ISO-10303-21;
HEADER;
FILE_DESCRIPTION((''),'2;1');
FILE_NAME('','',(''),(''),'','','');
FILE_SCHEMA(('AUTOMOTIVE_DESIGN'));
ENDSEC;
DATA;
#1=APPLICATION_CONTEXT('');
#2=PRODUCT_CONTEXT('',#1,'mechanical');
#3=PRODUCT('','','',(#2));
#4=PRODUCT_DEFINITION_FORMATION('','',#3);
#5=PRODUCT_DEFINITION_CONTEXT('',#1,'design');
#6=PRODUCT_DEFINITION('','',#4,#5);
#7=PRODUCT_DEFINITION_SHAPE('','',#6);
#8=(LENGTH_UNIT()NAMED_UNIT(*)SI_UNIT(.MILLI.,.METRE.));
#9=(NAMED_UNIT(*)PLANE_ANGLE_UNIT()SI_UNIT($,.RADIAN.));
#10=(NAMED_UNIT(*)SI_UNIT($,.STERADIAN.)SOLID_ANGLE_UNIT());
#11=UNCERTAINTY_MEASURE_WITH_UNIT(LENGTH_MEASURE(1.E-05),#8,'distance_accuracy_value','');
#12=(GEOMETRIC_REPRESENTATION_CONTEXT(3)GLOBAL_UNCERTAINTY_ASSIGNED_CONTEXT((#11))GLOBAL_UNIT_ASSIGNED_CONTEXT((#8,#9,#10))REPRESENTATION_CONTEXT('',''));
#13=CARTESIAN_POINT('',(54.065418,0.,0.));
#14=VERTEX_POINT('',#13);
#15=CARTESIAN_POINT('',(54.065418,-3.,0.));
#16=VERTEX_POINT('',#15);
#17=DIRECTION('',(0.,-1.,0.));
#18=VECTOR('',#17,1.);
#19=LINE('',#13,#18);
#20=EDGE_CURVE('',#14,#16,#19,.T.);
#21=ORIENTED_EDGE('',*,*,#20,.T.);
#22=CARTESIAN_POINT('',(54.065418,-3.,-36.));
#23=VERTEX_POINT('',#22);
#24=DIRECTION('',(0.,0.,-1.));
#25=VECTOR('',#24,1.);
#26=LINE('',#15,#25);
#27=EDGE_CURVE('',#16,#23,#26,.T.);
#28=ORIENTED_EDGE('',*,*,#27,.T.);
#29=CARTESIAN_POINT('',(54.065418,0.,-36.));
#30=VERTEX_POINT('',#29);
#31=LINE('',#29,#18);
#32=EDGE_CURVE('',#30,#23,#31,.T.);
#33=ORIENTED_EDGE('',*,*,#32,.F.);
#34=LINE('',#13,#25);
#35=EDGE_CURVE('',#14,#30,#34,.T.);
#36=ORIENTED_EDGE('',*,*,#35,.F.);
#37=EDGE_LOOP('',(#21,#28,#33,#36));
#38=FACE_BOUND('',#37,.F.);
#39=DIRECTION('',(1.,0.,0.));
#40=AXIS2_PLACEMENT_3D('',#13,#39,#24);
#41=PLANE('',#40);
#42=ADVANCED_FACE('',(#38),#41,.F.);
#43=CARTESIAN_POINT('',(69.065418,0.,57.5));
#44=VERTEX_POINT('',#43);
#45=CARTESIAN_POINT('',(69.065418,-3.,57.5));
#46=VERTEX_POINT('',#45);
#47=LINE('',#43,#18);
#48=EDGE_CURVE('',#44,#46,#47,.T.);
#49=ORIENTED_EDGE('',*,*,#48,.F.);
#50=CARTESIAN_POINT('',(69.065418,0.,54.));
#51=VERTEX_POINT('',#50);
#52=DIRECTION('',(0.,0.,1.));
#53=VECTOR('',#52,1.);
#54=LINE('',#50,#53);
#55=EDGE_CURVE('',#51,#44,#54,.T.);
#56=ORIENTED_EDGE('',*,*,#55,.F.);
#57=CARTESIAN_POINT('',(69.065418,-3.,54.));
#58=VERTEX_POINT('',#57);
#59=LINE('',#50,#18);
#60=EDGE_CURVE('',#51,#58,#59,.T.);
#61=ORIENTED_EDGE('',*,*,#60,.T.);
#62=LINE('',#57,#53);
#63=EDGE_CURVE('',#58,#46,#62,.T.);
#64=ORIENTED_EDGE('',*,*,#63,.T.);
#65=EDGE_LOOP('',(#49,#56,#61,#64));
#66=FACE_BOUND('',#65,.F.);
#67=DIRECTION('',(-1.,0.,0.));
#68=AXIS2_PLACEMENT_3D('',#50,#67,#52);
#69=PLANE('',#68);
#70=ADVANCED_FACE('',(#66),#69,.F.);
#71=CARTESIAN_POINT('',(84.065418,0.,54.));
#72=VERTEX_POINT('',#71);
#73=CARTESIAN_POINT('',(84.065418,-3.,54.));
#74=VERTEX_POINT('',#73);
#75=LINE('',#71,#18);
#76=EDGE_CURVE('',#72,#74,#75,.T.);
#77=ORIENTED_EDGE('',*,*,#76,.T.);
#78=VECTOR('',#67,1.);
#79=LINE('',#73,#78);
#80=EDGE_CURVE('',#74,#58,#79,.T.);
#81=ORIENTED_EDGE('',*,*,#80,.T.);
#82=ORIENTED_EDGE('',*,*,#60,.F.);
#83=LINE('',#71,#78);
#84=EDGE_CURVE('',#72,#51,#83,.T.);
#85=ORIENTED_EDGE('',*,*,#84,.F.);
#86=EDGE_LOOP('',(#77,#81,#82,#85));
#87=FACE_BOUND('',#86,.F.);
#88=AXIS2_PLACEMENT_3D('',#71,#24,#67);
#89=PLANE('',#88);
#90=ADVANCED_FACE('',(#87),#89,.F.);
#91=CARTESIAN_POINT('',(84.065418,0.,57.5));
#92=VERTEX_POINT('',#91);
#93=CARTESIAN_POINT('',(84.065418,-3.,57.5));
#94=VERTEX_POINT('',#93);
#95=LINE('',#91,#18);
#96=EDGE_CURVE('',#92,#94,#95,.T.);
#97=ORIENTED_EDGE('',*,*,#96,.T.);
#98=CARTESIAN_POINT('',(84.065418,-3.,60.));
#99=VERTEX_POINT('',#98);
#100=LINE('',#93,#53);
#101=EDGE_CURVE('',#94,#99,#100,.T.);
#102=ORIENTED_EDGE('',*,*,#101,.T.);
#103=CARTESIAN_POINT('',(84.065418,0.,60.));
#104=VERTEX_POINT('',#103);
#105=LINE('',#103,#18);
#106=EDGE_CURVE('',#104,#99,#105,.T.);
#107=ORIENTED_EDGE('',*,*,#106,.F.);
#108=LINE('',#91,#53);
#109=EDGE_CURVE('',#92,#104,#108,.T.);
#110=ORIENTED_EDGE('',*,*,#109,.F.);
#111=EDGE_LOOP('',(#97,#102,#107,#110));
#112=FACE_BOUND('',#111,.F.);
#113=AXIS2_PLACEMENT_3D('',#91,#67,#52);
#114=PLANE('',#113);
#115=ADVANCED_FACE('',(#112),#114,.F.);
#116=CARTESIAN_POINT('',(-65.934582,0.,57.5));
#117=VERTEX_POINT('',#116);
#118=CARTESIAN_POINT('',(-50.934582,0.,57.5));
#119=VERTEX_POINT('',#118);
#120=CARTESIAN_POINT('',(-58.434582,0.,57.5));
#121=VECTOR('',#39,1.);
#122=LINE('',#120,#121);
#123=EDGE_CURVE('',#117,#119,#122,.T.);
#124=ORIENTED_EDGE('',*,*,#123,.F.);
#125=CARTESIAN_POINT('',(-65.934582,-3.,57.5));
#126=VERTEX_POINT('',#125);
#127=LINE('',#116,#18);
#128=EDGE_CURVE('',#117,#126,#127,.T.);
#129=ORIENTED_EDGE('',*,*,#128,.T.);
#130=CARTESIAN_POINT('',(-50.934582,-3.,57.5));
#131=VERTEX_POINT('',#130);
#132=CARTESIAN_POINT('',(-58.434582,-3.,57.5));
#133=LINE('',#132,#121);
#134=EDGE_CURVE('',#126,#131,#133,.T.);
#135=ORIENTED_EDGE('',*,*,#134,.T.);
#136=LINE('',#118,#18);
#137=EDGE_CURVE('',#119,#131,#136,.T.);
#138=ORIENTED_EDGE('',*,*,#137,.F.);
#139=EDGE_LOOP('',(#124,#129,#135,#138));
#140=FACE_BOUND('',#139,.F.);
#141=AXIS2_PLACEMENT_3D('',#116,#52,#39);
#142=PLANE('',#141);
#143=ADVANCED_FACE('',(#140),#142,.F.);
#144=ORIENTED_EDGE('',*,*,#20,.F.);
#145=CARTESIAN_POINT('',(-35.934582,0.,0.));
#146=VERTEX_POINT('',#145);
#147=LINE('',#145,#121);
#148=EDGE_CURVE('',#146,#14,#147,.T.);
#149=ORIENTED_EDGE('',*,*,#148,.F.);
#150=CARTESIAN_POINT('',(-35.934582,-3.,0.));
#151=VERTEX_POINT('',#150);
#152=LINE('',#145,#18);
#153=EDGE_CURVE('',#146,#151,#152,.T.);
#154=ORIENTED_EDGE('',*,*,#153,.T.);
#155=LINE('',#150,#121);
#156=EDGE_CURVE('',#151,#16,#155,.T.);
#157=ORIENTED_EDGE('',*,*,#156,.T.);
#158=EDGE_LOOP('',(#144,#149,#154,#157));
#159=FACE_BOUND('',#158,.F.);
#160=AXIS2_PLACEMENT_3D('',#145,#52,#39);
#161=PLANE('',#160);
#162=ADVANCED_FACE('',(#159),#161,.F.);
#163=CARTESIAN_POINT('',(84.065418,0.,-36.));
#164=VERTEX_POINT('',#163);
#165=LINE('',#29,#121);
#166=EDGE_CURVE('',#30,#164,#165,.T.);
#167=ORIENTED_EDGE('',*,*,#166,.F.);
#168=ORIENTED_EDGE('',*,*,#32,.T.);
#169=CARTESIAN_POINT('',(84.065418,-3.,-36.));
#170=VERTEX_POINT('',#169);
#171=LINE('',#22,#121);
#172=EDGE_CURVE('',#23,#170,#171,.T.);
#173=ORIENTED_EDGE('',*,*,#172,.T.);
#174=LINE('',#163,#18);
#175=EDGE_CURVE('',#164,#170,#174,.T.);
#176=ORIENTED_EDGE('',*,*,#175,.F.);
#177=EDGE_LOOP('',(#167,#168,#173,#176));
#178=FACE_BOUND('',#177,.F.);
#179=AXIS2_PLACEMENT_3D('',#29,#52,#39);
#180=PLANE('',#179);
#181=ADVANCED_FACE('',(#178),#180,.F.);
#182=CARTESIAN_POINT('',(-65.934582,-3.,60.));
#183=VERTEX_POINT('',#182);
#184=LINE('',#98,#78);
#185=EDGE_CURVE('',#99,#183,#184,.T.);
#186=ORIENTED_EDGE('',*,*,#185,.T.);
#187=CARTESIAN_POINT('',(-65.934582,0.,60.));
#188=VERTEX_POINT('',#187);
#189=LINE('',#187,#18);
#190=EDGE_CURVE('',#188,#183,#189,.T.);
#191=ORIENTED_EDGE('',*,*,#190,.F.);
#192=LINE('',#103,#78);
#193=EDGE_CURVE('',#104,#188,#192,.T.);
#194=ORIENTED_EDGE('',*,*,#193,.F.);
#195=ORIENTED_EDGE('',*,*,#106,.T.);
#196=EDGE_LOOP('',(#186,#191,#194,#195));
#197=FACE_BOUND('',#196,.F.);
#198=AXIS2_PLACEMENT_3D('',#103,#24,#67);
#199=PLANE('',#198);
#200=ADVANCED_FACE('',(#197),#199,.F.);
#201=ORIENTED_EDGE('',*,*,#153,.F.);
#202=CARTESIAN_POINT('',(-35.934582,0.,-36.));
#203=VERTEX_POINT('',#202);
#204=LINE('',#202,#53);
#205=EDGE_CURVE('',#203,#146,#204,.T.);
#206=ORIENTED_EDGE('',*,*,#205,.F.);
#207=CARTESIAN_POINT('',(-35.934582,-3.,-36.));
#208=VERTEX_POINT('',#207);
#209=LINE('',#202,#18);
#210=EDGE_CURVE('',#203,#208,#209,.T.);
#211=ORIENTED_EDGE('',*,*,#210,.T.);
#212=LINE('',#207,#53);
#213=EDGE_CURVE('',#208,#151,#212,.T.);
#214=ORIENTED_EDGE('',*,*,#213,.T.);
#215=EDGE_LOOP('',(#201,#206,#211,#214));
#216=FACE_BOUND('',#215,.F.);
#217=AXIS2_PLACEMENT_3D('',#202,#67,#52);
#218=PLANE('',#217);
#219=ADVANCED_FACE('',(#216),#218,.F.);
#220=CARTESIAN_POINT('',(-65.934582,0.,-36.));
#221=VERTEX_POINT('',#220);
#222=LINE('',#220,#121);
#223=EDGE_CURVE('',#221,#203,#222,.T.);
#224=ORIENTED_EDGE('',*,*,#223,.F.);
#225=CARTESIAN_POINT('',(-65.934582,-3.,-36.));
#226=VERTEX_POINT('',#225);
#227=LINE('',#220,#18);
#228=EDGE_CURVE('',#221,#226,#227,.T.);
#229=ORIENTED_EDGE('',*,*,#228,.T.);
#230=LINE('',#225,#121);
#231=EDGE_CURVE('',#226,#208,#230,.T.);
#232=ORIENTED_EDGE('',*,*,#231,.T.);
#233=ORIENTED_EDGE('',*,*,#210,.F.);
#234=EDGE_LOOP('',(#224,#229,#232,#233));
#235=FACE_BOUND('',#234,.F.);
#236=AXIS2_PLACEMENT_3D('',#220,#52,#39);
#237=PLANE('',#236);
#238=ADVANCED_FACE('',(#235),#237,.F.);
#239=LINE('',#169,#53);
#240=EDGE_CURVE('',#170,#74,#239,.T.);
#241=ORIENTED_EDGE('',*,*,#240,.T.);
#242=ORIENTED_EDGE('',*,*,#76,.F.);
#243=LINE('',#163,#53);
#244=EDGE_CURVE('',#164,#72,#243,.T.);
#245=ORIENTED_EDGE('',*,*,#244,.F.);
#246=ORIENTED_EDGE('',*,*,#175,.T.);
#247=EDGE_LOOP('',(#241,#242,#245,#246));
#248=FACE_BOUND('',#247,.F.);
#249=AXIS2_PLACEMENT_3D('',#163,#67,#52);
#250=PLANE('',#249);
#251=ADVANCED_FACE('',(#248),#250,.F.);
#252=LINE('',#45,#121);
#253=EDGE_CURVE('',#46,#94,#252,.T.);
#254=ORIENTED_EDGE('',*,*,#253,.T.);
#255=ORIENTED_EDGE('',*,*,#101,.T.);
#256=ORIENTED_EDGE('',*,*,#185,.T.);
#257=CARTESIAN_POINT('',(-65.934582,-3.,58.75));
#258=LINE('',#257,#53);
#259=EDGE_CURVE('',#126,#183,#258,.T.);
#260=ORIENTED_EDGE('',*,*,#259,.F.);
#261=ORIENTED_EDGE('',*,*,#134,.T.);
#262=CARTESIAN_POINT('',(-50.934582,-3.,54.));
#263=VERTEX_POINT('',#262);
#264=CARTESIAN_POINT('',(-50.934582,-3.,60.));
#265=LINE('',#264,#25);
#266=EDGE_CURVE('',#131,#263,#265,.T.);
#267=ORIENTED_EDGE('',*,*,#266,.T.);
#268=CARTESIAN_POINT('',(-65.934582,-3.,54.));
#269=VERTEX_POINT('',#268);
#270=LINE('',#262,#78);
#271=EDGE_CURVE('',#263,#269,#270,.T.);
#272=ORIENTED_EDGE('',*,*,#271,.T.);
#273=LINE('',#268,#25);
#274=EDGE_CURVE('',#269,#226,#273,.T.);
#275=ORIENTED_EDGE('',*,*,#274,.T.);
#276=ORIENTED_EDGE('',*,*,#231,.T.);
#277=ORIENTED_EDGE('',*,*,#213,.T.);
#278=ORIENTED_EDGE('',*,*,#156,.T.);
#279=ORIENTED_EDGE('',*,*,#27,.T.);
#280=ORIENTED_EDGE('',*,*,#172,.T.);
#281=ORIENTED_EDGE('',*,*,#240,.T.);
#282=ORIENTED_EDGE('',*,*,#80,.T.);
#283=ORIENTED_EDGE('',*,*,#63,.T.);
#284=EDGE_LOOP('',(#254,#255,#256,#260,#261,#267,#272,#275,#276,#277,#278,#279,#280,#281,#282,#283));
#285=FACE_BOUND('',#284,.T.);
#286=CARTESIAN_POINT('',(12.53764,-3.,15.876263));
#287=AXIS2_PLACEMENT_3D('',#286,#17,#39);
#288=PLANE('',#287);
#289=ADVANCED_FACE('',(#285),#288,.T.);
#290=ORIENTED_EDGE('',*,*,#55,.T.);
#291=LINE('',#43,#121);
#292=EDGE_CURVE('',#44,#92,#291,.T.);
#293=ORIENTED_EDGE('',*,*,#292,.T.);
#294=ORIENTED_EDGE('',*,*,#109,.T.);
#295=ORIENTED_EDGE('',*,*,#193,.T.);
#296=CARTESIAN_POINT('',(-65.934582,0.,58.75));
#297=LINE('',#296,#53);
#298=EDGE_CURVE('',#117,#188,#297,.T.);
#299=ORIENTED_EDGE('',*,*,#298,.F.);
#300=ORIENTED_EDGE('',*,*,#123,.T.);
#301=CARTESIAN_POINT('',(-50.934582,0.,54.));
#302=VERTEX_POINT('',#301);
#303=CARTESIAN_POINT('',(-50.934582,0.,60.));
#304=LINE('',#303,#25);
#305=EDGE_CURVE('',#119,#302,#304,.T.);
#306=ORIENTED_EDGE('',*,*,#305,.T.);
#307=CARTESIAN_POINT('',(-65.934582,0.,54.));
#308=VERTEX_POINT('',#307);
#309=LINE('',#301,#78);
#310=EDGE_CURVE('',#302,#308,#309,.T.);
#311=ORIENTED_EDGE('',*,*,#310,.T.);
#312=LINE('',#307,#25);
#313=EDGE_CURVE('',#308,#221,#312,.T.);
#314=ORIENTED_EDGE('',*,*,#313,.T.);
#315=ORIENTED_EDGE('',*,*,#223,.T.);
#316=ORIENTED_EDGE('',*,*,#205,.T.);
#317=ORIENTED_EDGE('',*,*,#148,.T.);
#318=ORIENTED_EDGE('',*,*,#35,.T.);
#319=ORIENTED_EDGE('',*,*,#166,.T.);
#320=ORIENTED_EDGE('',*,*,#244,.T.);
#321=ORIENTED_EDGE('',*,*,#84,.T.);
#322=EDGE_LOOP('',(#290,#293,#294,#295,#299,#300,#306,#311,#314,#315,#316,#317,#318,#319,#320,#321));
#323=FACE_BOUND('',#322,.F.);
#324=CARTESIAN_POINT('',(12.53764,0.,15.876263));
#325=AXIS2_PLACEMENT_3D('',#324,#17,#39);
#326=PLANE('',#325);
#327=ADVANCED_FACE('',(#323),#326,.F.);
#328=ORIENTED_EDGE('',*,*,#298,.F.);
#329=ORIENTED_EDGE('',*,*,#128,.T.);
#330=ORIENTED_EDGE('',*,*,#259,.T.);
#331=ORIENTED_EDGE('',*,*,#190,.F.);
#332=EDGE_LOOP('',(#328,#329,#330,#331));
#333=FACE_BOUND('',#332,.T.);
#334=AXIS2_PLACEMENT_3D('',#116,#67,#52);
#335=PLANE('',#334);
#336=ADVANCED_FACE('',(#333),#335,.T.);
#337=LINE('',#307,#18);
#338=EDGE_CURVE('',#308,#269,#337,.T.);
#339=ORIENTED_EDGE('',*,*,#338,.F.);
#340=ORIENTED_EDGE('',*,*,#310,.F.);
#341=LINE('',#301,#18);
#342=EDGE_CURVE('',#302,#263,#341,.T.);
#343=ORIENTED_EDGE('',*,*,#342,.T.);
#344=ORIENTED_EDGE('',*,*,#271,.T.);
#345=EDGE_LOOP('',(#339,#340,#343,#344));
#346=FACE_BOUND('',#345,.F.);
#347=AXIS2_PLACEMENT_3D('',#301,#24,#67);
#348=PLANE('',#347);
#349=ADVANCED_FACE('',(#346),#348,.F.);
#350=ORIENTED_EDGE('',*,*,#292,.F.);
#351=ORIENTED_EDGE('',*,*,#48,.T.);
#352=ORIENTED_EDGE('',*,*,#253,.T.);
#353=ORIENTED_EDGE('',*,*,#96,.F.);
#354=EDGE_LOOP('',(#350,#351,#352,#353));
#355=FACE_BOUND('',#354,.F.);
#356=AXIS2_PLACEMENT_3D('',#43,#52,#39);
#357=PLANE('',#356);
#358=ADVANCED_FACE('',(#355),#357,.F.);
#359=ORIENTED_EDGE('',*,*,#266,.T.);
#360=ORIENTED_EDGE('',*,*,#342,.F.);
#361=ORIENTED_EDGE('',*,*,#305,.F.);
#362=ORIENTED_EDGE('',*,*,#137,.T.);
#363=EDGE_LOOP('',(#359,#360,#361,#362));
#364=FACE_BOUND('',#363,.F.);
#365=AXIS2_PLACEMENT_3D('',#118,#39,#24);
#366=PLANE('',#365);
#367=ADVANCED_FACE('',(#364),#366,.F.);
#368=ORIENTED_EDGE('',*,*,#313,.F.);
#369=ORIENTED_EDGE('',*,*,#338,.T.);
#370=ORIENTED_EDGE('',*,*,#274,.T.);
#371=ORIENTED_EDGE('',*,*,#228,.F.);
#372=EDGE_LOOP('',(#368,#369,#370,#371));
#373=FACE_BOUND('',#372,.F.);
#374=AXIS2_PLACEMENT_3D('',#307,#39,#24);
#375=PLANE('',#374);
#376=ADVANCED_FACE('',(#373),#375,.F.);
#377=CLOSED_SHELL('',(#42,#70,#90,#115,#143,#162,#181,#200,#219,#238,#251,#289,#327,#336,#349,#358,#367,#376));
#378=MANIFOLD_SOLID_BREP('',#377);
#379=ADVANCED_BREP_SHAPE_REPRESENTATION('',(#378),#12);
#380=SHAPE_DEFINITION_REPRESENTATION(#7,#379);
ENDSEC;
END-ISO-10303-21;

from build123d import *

# Parameters (mm, degrees)
F0_W     = 15
F0_H     = 2.5
F1_DEPTH = 3


with BuildPart() as f1:
    # F0 (on Front) → F1 (new body)
    with BuildSketch(Plane.XZ):
        Polygon((54.065418, -36), (84.065418, -36), (84.065418, 54), (69.065418, 54), (69.065418, 57.5), (84.065418, 57.5), (84.065418, 60), (-50.934582, 60), (-50.934582, 57.5), (-50.934582, 54), (-65.934582, 54), (-65.934582, -36), (-35.934582, -36), (-35.934582, 0), (54.065418, 0), align=None)
        with Locations((-58.434582, 58.75)):
            Rectangle(F0_W, F0_H)
    extrude(amount=F1_DEPTH)


solid = f1.part
